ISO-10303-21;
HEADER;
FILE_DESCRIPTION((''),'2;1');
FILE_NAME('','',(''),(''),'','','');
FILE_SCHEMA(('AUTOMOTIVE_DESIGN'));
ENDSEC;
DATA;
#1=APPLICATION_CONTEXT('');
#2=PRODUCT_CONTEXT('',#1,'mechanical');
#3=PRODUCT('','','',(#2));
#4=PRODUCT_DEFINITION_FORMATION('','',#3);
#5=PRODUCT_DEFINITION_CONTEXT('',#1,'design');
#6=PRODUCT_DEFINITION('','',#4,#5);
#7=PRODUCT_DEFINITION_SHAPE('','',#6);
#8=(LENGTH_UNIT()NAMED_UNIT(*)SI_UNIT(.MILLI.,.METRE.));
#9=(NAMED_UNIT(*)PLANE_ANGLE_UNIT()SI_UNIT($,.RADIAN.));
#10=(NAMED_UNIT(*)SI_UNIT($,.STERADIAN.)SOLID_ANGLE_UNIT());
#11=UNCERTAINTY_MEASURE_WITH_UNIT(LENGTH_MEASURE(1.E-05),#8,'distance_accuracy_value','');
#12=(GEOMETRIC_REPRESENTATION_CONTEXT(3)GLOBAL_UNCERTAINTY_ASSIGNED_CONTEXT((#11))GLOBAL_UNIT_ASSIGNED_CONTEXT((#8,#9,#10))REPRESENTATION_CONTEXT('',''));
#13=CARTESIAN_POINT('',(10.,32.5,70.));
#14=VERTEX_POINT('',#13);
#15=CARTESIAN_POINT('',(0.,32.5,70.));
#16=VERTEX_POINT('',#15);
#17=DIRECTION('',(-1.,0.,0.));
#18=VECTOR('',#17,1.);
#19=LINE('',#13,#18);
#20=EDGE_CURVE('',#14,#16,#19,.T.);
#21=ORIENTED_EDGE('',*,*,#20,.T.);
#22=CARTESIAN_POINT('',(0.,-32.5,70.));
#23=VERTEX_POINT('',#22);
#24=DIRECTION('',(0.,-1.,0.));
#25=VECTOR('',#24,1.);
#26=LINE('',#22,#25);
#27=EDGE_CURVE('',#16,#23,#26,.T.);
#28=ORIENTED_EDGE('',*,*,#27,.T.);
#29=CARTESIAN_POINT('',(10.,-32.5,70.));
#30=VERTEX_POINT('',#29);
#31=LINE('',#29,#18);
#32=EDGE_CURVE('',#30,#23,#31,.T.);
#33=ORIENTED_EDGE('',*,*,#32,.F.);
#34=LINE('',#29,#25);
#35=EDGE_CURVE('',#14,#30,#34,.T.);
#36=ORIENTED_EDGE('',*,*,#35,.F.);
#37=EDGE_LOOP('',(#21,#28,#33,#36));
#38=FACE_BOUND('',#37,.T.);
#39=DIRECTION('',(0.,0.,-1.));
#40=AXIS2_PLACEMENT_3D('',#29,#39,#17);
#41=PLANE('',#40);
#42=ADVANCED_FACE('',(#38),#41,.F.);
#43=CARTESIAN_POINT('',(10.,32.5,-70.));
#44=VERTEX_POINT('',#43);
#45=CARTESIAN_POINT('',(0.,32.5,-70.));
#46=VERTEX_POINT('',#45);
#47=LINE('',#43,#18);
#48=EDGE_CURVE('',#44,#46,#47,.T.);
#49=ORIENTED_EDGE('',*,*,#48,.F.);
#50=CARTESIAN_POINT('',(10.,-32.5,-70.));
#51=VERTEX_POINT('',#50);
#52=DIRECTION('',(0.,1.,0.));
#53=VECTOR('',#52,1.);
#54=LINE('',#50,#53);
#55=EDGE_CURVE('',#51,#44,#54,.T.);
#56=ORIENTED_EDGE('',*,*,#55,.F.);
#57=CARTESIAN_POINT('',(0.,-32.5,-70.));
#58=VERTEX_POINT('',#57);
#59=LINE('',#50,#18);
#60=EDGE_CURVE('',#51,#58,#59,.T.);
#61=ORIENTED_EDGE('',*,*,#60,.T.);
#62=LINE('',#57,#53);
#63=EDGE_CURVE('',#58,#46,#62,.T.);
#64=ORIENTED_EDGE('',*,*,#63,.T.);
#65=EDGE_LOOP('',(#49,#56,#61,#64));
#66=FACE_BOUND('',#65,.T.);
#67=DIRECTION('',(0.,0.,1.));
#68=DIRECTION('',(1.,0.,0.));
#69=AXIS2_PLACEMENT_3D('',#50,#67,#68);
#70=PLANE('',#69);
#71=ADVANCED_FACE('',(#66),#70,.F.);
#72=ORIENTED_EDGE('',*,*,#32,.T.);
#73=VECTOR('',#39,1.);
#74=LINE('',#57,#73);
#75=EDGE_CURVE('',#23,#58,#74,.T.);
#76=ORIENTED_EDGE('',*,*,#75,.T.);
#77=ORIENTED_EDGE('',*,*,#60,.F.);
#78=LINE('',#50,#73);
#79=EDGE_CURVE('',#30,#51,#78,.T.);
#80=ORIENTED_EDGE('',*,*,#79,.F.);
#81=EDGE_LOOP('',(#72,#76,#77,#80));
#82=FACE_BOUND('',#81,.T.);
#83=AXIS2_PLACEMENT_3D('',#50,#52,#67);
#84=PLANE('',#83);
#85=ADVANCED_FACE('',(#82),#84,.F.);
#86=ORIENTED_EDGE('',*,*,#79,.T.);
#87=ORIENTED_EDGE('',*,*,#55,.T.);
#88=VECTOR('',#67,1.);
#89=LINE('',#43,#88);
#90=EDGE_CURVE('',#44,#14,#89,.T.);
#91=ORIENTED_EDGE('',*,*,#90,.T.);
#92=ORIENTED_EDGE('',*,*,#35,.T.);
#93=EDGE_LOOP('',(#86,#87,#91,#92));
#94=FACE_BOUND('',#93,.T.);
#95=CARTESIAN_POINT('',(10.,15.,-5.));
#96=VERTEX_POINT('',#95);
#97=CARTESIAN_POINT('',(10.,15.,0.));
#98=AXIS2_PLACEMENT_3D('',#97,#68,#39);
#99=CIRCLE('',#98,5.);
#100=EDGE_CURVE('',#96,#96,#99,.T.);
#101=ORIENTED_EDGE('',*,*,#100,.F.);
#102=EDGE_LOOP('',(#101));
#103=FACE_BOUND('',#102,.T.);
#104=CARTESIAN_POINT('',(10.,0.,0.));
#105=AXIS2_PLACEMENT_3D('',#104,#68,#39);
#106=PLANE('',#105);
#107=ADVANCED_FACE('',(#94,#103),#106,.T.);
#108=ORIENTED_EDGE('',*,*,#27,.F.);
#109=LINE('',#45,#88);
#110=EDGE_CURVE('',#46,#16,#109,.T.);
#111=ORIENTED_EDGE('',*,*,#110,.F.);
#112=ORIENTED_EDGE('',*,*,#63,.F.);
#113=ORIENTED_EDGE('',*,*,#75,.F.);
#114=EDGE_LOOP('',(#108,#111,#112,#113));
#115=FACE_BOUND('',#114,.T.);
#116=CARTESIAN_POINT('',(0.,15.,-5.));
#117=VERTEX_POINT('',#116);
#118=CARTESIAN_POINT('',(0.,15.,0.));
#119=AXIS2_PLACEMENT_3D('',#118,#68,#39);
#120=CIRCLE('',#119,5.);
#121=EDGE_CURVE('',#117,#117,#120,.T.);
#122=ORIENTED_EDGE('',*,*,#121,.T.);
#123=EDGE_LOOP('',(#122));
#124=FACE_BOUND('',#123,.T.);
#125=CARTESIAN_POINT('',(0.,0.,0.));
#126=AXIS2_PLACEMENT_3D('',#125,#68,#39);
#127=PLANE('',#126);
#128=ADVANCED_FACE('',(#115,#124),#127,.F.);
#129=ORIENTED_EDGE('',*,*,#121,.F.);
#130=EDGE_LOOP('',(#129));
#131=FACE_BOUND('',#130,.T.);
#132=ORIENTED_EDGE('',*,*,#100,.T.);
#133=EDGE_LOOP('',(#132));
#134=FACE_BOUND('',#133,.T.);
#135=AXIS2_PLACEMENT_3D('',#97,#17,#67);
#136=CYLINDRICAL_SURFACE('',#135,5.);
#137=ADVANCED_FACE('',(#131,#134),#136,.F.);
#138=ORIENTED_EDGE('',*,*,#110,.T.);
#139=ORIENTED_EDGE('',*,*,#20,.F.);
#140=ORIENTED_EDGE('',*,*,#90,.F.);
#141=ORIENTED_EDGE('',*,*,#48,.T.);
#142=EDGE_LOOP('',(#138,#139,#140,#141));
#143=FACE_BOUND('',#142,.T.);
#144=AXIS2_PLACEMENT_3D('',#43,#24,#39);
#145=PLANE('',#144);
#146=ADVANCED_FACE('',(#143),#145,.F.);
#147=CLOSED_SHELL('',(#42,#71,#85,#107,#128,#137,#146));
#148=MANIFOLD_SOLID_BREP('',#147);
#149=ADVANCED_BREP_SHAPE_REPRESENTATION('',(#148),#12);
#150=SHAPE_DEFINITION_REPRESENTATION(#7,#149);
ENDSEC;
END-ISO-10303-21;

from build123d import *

# Parameters (mm, degrees)
CROQUIS6_W              = 140
CROQUIS6_H              = 65
CROQUIS6_R              = 5
SALIENTE_EXTRUIR4_DEPTH = 10


with BuildPart() as part:
    # Croquis6 → Saliente-Extruir4 (new body)
    with BuildSketch(Plane(origin=(0, 0, 0), x_dir=(0, 0, -1), z_dir=(1, 0, 0))):
        Rectangle(CROQUIS6_W, CROQUIS6_H)
        with Locations((0, 15)):
            Circle(CROQUIS6_R, mode=Mode.SUBTRACT)
    extrude(amount=SALIENTE_EXTRUIR4_DEPTH)


solid = part.part
